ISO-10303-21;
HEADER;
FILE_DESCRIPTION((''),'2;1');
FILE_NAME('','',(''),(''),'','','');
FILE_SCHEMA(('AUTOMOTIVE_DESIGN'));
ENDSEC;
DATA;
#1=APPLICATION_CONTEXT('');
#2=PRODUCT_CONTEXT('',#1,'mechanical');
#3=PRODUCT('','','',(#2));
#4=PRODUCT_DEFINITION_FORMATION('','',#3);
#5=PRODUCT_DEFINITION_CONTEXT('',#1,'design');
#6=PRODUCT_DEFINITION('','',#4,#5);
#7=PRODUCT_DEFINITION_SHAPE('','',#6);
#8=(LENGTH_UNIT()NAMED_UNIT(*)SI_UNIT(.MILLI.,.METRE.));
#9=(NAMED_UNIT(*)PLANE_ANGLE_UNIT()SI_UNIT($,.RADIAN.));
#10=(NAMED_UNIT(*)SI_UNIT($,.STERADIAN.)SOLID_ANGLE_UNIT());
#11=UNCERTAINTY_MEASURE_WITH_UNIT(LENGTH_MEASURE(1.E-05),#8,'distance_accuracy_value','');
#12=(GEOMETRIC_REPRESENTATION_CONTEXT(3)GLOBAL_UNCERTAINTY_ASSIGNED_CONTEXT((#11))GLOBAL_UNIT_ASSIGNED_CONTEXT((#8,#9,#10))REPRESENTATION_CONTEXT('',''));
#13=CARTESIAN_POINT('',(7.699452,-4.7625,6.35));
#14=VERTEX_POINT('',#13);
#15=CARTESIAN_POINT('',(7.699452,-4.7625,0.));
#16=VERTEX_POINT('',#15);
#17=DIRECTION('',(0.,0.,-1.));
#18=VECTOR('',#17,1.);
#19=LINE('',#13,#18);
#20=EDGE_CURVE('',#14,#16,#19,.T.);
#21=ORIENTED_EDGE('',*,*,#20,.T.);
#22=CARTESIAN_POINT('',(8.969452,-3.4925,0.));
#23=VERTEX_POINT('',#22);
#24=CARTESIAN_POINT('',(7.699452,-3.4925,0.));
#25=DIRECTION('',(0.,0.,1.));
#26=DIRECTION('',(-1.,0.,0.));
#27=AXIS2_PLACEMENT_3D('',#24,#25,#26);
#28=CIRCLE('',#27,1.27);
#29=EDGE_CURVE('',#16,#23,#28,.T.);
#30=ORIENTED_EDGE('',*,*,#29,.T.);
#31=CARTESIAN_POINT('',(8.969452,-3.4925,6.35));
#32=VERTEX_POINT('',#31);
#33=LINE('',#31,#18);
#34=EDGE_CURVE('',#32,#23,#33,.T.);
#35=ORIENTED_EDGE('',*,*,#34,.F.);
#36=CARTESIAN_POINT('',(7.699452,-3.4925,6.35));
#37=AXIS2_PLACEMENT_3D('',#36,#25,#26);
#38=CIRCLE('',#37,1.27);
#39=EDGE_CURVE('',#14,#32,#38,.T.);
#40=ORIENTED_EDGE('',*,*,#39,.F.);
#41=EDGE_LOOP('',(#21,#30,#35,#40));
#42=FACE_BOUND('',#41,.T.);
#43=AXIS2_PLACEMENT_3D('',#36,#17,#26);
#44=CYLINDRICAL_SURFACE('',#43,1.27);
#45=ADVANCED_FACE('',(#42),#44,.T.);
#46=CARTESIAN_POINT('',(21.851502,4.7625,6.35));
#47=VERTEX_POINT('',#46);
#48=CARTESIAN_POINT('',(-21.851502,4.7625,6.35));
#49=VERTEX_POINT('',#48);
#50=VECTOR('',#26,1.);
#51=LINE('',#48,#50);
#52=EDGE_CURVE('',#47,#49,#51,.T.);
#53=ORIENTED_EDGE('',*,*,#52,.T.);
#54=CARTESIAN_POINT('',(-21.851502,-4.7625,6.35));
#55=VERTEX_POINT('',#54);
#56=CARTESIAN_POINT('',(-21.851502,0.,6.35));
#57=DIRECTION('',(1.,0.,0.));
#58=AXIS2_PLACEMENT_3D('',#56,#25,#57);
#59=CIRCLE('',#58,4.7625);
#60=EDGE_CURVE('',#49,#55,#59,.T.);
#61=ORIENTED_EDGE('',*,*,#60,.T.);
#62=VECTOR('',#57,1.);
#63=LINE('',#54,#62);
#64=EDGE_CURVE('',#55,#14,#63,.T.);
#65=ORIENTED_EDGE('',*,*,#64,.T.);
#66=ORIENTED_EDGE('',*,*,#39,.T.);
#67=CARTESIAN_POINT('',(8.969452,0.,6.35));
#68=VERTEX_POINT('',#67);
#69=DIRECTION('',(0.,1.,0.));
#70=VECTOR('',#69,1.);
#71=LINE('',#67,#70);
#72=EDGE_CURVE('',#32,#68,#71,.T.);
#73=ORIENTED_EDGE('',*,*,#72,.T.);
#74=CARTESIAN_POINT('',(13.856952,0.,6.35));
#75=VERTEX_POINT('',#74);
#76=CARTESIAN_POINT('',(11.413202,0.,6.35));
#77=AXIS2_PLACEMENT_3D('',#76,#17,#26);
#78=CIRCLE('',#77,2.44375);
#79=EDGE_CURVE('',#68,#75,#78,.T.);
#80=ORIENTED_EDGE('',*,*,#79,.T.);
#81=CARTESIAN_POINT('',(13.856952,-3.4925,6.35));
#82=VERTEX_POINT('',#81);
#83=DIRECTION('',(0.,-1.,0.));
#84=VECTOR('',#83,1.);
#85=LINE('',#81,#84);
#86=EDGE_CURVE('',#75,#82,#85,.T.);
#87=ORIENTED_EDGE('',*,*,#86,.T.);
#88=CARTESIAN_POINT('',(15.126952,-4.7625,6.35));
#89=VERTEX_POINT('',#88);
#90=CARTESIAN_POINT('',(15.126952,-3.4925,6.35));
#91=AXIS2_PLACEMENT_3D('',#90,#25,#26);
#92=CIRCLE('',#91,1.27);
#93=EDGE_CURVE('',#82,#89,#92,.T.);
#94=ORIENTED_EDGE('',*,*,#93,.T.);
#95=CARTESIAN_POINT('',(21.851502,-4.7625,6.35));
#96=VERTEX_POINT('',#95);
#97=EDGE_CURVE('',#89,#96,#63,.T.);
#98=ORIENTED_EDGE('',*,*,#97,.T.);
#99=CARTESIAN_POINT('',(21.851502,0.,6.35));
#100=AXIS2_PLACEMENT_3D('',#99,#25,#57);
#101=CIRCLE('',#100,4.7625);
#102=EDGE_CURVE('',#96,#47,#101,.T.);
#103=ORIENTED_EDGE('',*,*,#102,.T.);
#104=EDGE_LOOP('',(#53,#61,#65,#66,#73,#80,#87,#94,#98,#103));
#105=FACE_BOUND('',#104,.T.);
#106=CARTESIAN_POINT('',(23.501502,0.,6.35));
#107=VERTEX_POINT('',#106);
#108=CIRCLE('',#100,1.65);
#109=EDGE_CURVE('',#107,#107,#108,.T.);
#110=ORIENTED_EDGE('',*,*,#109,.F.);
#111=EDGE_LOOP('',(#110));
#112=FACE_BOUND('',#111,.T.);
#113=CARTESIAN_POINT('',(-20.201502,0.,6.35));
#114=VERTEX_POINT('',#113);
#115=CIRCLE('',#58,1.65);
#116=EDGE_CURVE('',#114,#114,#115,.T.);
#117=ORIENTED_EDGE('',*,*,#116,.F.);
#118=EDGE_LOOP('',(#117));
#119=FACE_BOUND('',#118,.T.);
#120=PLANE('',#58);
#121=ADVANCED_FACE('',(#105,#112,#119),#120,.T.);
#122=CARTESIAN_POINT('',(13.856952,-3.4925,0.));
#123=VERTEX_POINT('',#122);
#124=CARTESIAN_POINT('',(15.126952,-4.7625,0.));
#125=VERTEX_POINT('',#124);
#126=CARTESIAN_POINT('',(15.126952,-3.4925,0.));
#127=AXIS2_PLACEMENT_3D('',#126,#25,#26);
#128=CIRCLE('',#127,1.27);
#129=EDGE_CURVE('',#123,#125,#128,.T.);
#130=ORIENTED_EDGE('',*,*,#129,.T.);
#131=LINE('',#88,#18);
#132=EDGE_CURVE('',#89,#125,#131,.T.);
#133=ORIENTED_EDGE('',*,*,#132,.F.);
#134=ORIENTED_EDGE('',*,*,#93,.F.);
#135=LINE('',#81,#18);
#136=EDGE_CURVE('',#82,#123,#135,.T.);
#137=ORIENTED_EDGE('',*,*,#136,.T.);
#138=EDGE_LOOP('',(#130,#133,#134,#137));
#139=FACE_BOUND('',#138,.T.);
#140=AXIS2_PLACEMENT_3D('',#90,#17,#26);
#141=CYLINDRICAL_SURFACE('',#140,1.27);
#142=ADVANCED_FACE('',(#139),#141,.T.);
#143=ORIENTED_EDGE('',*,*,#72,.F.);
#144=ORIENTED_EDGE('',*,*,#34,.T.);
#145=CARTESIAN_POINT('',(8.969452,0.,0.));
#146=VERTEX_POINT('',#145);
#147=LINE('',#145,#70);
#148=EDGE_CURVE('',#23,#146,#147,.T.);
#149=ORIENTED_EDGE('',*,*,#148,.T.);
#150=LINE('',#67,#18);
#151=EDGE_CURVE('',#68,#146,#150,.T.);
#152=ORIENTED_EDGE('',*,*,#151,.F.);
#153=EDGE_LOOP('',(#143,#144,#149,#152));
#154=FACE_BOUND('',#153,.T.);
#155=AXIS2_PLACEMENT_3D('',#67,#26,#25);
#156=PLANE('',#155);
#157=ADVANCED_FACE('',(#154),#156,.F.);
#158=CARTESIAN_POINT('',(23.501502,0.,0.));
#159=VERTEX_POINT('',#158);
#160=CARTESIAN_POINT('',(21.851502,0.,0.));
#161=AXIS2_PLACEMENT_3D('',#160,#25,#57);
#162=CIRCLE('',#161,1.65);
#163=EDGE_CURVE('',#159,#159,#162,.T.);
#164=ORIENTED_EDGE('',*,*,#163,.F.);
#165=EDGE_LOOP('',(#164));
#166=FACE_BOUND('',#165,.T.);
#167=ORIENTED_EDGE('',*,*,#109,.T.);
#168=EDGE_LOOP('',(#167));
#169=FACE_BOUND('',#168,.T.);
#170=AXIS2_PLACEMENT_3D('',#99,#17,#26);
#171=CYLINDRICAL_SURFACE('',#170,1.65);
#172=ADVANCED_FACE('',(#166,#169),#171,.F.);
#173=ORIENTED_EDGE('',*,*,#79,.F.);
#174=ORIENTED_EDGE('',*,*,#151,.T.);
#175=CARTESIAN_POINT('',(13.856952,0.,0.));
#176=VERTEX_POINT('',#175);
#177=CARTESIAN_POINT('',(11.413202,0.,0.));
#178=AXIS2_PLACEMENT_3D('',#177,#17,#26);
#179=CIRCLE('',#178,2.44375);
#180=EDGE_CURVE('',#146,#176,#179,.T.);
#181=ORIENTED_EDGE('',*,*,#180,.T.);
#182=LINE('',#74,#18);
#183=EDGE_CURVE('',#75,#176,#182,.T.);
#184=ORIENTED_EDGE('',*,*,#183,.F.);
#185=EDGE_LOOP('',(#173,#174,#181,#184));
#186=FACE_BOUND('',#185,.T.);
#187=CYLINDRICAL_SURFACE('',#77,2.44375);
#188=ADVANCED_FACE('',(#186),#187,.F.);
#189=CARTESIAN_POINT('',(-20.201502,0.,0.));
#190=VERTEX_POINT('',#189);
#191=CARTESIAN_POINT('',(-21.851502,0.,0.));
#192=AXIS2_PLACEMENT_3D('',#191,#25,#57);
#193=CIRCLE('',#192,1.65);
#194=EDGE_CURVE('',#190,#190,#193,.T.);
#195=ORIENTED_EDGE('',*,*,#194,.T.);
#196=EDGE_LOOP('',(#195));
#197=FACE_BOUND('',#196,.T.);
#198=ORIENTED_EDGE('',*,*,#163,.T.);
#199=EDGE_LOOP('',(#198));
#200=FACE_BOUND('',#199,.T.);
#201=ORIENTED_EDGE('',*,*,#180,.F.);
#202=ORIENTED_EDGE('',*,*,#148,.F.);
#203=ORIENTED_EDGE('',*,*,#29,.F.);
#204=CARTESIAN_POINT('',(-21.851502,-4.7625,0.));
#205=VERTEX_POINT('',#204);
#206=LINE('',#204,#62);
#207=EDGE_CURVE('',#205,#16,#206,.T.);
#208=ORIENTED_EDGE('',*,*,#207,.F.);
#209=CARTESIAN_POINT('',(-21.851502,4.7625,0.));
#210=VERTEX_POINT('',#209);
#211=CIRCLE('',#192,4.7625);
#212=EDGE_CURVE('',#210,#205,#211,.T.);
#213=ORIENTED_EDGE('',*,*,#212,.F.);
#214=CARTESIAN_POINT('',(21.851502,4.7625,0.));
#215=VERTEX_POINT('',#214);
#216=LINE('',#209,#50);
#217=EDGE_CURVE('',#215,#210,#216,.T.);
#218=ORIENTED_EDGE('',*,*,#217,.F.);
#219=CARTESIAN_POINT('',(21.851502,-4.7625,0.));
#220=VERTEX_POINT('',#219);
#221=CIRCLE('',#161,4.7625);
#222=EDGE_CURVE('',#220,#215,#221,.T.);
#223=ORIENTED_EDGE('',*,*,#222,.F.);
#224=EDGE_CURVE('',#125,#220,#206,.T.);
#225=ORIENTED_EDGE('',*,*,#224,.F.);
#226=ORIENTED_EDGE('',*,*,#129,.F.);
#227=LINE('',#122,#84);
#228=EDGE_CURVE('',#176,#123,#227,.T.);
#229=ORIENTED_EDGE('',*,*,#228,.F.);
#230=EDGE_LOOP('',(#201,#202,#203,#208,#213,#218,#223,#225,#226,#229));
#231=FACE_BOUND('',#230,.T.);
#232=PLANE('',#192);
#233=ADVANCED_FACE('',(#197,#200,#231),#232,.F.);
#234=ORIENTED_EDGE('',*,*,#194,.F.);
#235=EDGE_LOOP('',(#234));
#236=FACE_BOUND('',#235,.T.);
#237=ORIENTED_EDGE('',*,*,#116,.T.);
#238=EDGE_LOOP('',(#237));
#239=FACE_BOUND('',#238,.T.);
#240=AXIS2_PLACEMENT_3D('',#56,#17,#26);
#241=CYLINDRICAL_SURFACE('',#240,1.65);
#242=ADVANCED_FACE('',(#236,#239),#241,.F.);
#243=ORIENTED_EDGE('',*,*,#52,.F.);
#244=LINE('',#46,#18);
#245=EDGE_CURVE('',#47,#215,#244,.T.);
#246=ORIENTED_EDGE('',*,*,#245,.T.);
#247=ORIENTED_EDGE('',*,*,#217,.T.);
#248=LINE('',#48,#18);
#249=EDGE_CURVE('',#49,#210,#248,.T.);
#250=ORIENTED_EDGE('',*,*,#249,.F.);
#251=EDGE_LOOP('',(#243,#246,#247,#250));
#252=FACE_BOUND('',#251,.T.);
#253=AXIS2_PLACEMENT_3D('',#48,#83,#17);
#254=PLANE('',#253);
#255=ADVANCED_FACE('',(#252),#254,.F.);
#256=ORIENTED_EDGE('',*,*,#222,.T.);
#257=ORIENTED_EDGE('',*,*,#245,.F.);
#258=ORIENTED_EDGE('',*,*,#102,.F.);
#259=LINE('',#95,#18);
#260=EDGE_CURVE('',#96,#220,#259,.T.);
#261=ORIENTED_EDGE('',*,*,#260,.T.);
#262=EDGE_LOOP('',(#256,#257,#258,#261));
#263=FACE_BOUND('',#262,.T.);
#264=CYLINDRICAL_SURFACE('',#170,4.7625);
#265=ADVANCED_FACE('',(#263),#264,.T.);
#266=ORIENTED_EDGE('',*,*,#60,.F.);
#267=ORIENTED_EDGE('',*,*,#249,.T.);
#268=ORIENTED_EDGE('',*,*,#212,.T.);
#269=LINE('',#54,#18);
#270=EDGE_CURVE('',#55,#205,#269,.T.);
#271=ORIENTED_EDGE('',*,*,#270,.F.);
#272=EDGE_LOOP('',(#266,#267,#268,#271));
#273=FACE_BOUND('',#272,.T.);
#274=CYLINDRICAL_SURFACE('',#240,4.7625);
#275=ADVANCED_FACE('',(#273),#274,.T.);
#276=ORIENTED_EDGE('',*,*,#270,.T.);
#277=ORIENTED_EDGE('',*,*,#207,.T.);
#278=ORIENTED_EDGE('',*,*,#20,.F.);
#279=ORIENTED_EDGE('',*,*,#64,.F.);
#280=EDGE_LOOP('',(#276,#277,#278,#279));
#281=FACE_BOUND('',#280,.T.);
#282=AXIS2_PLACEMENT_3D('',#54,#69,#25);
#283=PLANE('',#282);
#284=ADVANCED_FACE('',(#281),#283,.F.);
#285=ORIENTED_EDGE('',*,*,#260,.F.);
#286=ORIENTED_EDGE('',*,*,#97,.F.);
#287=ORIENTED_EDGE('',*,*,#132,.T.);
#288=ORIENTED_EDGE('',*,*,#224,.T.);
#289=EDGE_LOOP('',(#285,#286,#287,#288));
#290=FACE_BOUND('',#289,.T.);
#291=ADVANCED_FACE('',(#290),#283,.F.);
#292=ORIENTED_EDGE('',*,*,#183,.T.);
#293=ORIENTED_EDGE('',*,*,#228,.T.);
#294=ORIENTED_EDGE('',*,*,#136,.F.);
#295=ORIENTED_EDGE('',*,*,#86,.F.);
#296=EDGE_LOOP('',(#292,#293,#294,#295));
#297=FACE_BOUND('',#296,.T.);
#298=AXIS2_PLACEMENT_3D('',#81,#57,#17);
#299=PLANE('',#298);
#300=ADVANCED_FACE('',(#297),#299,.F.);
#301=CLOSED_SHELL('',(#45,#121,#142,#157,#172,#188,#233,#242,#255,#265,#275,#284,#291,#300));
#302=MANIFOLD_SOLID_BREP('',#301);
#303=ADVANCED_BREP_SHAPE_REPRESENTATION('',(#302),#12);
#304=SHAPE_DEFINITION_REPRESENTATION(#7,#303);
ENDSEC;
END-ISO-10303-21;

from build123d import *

# Parameters (mm, degrees)
SKETCH1_R           = 1.65
BOSS_EXTRUDE1_DEPTH = 6.35
CUT_EXTRUDE3_DEPTH  = 28.772450308


with BuildPart() as part:
    # Sketch1 → Boss-Extrude1 (new body)
    with BuildSketch(Plane.XY):
        with BuildLine():
            Line((-21.851501763, 4.7625), (21.851501763, 4.7625))
            ThreePointArc((21.851501763, 4.7625), (26.614001763, 0), (21.851501763, -4.7625))
            Line((21.851501763, -4.7625), (-21.851501763, -4.7625))
            ThreePointArc((-21.851501763, -4.7625), (-26.614001763, 0), (-21.851501763, 4.7625))
        make_face()
        with Locations((21.851501763, 0)):
            Circle(SKETCH1_R, mode=Mode.SUBTRACT)
        with Locations((-21.851501763, 0)):
            Circle(SKETCH1_R, mode=Mode.SUBTRACT)
    extrude(amount=BOSS_EXTRUDE1_DEPTH)

    # Sketch4 → Cut-Extrude3 (cut, through all)
    with BuildSketch(Plane(origin=(0, 0, 0), x_dir=(-1, 0, 0), z_dir=(0, 0, -1))):
        with BuildLine():
            Line((-8.969452091, 0), (-8.969452091, -3.4925))
            ThreePointArc((-8.969452091, -3.4925), (-8.597477703, -4.390525612), (-7.699452091, -4.7625))
            Line((-7.699452091, -4.7625), (-15.126952091, -4.7625))
            ThreePointArc((-15.126952091, -4.7625), (-14.228926479, -4.390525612), (-13.856952091, -3.4925))
            Line((-13.856952091, -3.4925), (-13.856952091, 0))
            ThreePointArc((-13.856952091, 0), (-11.413202091, 2.44375), (-8.969452091, 0))
        make_face()
    extrude(amount=-CUT_EXTRUDE3_DEPTH, mode=Mode.SUBTRACT)


solid = part.part
